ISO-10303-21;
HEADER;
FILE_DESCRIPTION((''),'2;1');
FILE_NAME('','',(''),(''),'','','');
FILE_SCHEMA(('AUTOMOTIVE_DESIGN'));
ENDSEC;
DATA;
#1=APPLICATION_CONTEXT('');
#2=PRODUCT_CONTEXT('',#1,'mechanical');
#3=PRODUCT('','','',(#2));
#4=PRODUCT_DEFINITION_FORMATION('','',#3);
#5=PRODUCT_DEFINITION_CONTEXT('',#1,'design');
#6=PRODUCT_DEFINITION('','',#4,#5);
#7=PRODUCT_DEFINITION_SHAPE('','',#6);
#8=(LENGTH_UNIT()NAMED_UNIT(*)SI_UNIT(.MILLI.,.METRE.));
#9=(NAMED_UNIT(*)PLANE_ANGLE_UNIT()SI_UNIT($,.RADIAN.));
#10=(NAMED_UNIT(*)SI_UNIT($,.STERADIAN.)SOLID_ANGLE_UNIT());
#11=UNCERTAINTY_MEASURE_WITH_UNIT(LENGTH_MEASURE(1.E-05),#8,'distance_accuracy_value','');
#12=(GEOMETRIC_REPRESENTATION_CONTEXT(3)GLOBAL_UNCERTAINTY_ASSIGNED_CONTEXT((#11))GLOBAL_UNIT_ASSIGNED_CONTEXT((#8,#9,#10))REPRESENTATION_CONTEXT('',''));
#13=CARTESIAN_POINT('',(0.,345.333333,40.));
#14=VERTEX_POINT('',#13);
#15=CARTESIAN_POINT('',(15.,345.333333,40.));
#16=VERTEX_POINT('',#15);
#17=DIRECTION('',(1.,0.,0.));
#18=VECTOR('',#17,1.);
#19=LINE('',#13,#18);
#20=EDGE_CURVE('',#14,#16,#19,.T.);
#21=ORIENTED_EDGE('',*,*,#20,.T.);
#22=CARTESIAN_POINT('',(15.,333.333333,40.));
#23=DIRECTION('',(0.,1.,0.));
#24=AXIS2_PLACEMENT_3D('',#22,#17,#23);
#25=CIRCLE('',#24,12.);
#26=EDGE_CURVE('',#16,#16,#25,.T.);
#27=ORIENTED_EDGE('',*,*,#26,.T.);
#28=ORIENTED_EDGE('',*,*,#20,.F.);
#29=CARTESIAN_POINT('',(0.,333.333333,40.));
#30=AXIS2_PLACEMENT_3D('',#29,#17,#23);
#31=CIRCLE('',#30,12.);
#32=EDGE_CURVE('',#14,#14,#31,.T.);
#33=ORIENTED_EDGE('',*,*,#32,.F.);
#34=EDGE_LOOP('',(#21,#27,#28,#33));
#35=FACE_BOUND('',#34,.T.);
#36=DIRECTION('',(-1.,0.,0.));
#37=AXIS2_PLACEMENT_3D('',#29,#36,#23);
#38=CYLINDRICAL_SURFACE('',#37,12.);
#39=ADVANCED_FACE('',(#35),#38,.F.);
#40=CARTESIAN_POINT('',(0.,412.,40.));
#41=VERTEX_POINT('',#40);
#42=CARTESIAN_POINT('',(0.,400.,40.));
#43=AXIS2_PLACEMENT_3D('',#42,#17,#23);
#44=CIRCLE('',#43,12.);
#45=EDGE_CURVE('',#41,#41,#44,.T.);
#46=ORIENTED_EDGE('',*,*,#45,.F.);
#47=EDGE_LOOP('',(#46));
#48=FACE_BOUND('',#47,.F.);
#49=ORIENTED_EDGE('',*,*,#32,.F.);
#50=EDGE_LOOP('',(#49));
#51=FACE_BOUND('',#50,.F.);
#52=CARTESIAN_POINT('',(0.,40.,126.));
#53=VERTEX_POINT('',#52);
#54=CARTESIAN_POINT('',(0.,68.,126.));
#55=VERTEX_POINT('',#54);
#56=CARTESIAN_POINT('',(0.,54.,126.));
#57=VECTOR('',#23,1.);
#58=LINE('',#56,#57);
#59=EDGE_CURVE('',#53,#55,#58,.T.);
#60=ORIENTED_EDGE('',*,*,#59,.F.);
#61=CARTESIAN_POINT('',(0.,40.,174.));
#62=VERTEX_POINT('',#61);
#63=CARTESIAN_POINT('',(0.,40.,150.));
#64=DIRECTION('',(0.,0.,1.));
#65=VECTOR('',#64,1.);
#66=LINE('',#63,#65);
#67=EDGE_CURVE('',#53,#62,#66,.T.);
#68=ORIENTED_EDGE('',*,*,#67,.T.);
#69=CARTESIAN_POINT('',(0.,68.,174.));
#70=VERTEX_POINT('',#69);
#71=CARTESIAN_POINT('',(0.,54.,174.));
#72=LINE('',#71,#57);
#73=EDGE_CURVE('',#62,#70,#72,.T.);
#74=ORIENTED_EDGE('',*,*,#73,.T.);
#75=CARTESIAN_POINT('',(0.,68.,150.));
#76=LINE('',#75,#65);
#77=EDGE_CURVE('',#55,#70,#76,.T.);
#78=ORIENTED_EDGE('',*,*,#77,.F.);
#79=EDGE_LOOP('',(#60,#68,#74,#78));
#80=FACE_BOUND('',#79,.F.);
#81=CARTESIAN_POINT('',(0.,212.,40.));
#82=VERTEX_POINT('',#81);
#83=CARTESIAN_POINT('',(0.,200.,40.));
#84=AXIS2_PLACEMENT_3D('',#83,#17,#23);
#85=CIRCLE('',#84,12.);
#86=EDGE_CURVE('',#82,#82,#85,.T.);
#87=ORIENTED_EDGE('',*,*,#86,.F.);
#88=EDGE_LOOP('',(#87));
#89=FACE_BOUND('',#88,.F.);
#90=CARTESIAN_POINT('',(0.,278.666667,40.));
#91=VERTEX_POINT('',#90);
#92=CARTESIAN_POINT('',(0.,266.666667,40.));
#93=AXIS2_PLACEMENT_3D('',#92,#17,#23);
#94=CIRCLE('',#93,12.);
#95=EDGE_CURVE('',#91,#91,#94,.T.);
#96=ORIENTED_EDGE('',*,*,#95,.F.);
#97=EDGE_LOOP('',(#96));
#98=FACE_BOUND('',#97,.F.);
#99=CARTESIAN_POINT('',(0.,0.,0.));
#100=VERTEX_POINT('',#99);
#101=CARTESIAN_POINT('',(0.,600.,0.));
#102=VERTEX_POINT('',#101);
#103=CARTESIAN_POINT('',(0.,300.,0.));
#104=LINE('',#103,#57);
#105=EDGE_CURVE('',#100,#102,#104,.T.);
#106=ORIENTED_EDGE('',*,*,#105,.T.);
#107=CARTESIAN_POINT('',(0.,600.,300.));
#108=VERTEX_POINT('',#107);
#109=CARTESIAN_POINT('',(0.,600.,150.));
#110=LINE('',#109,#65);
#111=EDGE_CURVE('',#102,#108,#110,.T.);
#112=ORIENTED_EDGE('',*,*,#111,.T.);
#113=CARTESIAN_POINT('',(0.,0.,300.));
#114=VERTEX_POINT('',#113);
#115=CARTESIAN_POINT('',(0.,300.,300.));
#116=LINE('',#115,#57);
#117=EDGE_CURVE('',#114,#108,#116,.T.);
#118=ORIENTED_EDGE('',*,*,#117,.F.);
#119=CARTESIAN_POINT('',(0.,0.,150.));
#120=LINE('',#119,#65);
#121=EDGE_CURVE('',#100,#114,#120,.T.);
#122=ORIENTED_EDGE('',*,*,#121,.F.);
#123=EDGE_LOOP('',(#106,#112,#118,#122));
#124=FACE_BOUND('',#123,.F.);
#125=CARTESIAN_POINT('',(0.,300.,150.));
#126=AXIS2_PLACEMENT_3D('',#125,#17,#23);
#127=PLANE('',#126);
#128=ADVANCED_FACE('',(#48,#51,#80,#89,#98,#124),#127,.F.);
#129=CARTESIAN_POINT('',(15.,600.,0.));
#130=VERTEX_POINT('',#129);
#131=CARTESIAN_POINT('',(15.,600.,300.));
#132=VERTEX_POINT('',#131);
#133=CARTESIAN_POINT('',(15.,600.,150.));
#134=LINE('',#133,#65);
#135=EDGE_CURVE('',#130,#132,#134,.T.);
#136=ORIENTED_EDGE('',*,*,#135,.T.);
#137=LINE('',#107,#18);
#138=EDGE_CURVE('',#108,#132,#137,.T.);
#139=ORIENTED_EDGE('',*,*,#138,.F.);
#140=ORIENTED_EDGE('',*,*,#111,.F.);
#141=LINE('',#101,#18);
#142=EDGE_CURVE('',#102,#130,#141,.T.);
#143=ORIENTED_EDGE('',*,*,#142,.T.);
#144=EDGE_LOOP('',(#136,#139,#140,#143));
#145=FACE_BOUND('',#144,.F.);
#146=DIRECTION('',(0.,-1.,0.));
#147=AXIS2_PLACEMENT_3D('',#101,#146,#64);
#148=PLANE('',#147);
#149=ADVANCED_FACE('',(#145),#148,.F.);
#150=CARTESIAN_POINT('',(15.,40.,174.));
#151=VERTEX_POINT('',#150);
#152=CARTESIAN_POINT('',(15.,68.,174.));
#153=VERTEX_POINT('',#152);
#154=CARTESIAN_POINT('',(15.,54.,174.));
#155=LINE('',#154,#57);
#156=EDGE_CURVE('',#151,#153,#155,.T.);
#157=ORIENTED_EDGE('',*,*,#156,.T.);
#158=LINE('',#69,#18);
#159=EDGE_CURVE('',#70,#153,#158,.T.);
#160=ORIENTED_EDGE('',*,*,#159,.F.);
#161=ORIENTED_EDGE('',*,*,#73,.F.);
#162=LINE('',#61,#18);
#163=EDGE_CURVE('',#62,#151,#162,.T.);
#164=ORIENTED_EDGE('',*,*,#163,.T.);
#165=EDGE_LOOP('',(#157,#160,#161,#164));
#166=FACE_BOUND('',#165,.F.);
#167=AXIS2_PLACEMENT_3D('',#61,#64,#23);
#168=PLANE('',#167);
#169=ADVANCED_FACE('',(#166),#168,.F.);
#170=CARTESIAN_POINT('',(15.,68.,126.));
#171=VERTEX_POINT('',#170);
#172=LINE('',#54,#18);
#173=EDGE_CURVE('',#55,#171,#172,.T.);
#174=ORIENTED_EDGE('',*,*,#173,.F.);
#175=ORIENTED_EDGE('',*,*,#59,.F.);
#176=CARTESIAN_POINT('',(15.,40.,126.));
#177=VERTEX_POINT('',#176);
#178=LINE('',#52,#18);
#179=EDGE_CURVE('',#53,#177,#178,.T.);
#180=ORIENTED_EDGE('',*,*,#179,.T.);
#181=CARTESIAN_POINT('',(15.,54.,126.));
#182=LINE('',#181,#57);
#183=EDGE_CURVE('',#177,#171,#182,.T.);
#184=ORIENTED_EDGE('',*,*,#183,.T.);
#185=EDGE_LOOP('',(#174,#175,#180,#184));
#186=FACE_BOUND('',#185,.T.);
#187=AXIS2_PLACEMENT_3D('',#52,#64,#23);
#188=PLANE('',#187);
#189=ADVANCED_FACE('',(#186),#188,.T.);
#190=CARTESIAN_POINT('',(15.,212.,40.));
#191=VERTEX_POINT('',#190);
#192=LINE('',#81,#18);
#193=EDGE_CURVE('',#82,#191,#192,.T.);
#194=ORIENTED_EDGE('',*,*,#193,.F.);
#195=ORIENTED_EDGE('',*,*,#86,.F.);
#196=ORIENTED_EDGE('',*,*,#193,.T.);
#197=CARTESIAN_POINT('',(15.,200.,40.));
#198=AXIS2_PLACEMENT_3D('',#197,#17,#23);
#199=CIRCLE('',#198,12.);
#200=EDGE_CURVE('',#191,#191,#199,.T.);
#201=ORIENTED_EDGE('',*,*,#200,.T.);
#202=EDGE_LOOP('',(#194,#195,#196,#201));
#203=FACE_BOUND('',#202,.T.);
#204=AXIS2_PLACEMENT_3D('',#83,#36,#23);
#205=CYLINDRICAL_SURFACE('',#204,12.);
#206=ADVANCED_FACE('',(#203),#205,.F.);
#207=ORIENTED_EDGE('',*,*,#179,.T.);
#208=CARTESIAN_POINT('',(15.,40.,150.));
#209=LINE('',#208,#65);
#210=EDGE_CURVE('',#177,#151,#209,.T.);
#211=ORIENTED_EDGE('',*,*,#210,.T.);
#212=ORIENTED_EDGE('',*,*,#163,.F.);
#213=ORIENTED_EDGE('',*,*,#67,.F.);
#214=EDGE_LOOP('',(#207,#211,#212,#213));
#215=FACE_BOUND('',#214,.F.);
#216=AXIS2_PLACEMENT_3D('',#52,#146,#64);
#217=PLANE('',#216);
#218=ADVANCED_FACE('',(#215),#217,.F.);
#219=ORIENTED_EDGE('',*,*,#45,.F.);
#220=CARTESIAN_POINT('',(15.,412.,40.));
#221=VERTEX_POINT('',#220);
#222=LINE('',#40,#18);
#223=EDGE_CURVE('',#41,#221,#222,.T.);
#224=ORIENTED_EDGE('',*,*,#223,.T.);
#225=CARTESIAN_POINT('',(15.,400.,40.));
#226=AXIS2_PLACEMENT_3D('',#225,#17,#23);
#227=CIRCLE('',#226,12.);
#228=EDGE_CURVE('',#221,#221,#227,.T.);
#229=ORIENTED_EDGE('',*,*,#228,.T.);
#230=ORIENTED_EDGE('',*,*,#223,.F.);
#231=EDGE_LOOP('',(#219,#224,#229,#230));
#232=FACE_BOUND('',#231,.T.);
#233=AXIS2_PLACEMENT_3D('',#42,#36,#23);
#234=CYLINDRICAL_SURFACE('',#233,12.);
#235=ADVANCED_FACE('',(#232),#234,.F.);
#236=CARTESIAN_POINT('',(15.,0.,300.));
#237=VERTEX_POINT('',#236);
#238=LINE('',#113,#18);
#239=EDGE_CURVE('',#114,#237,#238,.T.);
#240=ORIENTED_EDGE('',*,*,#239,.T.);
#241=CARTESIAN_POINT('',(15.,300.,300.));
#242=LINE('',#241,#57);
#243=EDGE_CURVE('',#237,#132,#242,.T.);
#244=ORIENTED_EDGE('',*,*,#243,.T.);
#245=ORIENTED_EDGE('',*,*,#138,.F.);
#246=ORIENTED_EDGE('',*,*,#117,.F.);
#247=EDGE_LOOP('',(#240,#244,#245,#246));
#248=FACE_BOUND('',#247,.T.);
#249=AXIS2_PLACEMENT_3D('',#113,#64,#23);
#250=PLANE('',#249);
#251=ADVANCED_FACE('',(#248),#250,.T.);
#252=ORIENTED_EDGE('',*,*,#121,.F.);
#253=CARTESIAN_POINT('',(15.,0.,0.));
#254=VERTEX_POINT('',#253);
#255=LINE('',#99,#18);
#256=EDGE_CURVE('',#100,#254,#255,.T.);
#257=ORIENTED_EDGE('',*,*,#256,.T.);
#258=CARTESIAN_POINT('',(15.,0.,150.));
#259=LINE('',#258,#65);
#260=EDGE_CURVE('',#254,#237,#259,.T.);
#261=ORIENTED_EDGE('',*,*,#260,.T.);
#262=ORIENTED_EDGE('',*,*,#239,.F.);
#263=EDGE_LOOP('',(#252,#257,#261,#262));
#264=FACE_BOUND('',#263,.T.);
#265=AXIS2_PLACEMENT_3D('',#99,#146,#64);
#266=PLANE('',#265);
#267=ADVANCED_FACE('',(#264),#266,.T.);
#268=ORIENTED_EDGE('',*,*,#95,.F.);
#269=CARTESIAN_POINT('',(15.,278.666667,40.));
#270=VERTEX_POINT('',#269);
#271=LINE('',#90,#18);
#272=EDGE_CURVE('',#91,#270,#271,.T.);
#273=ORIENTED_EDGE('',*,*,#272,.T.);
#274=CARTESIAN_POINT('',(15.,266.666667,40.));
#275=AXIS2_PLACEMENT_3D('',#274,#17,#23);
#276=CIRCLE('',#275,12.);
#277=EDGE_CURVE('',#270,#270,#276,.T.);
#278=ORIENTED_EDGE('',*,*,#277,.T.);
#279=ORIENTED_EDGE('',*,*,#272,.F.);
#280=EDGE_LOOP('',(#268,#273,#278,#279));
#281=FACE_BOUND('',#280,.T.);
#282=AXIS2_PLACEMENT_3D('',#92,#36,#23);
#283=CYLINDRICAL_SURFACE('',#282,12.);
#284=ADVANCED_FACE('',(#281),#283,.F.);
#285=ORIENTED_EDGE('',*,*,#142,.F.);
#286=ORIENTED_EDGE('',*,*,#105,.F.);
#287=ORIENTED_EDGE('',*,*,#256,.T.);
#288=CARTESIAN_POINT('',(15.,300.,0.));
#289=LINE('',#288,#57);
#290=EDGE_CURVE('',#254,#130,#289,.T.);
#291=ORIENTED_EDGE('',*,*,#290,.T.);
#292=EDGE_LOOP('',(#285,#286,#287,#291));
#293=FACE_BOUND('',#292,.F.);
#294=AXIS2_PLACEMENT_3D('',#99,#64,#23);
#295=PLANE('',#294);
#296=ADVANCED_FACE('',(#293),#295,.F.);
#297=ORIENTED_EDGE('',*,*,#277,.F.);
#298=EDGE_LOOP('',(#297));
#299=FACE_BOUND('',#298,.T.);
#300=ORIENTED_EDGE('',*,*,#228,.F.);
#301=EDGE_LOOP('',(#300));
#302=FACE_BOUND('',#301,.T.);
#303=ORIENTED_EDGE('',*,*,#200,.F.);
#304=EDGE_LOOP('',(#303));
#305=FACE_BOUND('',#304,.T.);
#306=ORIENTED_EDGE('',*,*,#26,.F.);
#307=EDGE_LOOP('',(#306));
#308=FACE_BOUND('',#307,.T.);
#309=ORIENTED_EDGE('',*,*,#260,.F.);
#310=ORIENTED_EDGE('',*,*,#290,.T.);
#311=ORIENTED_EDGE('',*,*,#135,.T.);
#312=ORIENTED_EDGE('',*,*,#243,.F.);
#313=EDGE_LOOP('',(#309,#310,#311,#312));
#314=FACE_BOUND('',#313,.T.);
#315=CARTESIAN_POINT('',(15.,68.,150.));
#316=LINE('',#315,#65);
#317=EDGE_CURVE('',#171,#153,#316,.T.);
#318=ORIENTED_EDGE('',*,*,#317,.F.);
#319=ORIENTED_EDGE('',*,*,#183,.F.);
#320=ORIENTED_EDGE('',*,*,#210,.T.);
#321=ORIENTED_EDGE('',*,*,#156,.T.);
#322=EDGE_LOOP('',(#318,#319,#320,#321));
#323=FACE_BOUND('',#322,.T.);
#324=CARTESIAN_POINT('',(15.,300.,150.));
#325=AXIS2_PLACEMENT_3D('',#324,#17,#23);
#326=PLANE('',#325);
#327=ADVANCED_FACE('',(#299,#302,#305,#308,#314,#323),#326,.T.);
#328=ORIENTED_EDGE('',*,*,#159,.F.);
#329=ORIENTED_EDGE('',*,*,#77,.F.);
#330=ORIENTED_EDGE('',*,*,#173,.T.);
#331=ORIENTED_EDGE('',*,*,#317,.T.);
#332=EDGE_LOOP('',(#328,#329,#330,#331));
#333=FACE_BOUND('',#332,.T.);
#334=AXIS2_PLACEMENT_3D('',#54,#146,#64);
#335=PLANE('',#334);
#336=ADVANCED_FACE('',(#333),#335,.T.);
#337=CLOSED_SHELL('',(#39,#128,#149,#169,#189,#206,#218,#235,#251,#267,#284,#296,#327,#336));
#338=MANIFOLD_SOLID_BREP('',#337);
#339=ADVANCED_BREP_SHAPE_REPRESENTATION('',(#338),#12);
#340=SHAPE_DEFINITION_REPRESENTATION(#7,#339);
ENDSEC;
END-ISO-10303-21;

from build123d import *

# Parameters (mm, degrees)
SKETCH_W   = 600
SKETCH_H   = 300
SKETCH_R   = 12
SKETCH_W_2 = 28
SKETCH_H_2 = 48
PAD_DEPTH  = 15


with BuildPart() as part:
    # Sketch → Pad (new body)
    with BuildSketch(Plane.YZ):
        with Locations((300, 150)):
            Rectangle(SKETCH_W, SKETCH_H)
        with Locations((200, 40)):
            Circle(SKETCH_R, mode=Mode.SUBTRACT)
        with Locations((266.666667, 40)):
            Circle(SKETCH_R, mode=Mode.SUBTRACT)
        with Locations((333.333333, 40)):
            Circle(SKETCH_R, mode=Mode.SUBTRACT)
        with Locations((400, 40)):
            Circle(SKETCH_R, mode=Mode.SUBTRACT)
        with Locations((54, 150)):
            Rectangle(SKETCH_W_2, SKETCH_H_2, mode=Mode.SUBTRACT)
    extrude(amount=PAD_DEPTH)


solid = part.part
